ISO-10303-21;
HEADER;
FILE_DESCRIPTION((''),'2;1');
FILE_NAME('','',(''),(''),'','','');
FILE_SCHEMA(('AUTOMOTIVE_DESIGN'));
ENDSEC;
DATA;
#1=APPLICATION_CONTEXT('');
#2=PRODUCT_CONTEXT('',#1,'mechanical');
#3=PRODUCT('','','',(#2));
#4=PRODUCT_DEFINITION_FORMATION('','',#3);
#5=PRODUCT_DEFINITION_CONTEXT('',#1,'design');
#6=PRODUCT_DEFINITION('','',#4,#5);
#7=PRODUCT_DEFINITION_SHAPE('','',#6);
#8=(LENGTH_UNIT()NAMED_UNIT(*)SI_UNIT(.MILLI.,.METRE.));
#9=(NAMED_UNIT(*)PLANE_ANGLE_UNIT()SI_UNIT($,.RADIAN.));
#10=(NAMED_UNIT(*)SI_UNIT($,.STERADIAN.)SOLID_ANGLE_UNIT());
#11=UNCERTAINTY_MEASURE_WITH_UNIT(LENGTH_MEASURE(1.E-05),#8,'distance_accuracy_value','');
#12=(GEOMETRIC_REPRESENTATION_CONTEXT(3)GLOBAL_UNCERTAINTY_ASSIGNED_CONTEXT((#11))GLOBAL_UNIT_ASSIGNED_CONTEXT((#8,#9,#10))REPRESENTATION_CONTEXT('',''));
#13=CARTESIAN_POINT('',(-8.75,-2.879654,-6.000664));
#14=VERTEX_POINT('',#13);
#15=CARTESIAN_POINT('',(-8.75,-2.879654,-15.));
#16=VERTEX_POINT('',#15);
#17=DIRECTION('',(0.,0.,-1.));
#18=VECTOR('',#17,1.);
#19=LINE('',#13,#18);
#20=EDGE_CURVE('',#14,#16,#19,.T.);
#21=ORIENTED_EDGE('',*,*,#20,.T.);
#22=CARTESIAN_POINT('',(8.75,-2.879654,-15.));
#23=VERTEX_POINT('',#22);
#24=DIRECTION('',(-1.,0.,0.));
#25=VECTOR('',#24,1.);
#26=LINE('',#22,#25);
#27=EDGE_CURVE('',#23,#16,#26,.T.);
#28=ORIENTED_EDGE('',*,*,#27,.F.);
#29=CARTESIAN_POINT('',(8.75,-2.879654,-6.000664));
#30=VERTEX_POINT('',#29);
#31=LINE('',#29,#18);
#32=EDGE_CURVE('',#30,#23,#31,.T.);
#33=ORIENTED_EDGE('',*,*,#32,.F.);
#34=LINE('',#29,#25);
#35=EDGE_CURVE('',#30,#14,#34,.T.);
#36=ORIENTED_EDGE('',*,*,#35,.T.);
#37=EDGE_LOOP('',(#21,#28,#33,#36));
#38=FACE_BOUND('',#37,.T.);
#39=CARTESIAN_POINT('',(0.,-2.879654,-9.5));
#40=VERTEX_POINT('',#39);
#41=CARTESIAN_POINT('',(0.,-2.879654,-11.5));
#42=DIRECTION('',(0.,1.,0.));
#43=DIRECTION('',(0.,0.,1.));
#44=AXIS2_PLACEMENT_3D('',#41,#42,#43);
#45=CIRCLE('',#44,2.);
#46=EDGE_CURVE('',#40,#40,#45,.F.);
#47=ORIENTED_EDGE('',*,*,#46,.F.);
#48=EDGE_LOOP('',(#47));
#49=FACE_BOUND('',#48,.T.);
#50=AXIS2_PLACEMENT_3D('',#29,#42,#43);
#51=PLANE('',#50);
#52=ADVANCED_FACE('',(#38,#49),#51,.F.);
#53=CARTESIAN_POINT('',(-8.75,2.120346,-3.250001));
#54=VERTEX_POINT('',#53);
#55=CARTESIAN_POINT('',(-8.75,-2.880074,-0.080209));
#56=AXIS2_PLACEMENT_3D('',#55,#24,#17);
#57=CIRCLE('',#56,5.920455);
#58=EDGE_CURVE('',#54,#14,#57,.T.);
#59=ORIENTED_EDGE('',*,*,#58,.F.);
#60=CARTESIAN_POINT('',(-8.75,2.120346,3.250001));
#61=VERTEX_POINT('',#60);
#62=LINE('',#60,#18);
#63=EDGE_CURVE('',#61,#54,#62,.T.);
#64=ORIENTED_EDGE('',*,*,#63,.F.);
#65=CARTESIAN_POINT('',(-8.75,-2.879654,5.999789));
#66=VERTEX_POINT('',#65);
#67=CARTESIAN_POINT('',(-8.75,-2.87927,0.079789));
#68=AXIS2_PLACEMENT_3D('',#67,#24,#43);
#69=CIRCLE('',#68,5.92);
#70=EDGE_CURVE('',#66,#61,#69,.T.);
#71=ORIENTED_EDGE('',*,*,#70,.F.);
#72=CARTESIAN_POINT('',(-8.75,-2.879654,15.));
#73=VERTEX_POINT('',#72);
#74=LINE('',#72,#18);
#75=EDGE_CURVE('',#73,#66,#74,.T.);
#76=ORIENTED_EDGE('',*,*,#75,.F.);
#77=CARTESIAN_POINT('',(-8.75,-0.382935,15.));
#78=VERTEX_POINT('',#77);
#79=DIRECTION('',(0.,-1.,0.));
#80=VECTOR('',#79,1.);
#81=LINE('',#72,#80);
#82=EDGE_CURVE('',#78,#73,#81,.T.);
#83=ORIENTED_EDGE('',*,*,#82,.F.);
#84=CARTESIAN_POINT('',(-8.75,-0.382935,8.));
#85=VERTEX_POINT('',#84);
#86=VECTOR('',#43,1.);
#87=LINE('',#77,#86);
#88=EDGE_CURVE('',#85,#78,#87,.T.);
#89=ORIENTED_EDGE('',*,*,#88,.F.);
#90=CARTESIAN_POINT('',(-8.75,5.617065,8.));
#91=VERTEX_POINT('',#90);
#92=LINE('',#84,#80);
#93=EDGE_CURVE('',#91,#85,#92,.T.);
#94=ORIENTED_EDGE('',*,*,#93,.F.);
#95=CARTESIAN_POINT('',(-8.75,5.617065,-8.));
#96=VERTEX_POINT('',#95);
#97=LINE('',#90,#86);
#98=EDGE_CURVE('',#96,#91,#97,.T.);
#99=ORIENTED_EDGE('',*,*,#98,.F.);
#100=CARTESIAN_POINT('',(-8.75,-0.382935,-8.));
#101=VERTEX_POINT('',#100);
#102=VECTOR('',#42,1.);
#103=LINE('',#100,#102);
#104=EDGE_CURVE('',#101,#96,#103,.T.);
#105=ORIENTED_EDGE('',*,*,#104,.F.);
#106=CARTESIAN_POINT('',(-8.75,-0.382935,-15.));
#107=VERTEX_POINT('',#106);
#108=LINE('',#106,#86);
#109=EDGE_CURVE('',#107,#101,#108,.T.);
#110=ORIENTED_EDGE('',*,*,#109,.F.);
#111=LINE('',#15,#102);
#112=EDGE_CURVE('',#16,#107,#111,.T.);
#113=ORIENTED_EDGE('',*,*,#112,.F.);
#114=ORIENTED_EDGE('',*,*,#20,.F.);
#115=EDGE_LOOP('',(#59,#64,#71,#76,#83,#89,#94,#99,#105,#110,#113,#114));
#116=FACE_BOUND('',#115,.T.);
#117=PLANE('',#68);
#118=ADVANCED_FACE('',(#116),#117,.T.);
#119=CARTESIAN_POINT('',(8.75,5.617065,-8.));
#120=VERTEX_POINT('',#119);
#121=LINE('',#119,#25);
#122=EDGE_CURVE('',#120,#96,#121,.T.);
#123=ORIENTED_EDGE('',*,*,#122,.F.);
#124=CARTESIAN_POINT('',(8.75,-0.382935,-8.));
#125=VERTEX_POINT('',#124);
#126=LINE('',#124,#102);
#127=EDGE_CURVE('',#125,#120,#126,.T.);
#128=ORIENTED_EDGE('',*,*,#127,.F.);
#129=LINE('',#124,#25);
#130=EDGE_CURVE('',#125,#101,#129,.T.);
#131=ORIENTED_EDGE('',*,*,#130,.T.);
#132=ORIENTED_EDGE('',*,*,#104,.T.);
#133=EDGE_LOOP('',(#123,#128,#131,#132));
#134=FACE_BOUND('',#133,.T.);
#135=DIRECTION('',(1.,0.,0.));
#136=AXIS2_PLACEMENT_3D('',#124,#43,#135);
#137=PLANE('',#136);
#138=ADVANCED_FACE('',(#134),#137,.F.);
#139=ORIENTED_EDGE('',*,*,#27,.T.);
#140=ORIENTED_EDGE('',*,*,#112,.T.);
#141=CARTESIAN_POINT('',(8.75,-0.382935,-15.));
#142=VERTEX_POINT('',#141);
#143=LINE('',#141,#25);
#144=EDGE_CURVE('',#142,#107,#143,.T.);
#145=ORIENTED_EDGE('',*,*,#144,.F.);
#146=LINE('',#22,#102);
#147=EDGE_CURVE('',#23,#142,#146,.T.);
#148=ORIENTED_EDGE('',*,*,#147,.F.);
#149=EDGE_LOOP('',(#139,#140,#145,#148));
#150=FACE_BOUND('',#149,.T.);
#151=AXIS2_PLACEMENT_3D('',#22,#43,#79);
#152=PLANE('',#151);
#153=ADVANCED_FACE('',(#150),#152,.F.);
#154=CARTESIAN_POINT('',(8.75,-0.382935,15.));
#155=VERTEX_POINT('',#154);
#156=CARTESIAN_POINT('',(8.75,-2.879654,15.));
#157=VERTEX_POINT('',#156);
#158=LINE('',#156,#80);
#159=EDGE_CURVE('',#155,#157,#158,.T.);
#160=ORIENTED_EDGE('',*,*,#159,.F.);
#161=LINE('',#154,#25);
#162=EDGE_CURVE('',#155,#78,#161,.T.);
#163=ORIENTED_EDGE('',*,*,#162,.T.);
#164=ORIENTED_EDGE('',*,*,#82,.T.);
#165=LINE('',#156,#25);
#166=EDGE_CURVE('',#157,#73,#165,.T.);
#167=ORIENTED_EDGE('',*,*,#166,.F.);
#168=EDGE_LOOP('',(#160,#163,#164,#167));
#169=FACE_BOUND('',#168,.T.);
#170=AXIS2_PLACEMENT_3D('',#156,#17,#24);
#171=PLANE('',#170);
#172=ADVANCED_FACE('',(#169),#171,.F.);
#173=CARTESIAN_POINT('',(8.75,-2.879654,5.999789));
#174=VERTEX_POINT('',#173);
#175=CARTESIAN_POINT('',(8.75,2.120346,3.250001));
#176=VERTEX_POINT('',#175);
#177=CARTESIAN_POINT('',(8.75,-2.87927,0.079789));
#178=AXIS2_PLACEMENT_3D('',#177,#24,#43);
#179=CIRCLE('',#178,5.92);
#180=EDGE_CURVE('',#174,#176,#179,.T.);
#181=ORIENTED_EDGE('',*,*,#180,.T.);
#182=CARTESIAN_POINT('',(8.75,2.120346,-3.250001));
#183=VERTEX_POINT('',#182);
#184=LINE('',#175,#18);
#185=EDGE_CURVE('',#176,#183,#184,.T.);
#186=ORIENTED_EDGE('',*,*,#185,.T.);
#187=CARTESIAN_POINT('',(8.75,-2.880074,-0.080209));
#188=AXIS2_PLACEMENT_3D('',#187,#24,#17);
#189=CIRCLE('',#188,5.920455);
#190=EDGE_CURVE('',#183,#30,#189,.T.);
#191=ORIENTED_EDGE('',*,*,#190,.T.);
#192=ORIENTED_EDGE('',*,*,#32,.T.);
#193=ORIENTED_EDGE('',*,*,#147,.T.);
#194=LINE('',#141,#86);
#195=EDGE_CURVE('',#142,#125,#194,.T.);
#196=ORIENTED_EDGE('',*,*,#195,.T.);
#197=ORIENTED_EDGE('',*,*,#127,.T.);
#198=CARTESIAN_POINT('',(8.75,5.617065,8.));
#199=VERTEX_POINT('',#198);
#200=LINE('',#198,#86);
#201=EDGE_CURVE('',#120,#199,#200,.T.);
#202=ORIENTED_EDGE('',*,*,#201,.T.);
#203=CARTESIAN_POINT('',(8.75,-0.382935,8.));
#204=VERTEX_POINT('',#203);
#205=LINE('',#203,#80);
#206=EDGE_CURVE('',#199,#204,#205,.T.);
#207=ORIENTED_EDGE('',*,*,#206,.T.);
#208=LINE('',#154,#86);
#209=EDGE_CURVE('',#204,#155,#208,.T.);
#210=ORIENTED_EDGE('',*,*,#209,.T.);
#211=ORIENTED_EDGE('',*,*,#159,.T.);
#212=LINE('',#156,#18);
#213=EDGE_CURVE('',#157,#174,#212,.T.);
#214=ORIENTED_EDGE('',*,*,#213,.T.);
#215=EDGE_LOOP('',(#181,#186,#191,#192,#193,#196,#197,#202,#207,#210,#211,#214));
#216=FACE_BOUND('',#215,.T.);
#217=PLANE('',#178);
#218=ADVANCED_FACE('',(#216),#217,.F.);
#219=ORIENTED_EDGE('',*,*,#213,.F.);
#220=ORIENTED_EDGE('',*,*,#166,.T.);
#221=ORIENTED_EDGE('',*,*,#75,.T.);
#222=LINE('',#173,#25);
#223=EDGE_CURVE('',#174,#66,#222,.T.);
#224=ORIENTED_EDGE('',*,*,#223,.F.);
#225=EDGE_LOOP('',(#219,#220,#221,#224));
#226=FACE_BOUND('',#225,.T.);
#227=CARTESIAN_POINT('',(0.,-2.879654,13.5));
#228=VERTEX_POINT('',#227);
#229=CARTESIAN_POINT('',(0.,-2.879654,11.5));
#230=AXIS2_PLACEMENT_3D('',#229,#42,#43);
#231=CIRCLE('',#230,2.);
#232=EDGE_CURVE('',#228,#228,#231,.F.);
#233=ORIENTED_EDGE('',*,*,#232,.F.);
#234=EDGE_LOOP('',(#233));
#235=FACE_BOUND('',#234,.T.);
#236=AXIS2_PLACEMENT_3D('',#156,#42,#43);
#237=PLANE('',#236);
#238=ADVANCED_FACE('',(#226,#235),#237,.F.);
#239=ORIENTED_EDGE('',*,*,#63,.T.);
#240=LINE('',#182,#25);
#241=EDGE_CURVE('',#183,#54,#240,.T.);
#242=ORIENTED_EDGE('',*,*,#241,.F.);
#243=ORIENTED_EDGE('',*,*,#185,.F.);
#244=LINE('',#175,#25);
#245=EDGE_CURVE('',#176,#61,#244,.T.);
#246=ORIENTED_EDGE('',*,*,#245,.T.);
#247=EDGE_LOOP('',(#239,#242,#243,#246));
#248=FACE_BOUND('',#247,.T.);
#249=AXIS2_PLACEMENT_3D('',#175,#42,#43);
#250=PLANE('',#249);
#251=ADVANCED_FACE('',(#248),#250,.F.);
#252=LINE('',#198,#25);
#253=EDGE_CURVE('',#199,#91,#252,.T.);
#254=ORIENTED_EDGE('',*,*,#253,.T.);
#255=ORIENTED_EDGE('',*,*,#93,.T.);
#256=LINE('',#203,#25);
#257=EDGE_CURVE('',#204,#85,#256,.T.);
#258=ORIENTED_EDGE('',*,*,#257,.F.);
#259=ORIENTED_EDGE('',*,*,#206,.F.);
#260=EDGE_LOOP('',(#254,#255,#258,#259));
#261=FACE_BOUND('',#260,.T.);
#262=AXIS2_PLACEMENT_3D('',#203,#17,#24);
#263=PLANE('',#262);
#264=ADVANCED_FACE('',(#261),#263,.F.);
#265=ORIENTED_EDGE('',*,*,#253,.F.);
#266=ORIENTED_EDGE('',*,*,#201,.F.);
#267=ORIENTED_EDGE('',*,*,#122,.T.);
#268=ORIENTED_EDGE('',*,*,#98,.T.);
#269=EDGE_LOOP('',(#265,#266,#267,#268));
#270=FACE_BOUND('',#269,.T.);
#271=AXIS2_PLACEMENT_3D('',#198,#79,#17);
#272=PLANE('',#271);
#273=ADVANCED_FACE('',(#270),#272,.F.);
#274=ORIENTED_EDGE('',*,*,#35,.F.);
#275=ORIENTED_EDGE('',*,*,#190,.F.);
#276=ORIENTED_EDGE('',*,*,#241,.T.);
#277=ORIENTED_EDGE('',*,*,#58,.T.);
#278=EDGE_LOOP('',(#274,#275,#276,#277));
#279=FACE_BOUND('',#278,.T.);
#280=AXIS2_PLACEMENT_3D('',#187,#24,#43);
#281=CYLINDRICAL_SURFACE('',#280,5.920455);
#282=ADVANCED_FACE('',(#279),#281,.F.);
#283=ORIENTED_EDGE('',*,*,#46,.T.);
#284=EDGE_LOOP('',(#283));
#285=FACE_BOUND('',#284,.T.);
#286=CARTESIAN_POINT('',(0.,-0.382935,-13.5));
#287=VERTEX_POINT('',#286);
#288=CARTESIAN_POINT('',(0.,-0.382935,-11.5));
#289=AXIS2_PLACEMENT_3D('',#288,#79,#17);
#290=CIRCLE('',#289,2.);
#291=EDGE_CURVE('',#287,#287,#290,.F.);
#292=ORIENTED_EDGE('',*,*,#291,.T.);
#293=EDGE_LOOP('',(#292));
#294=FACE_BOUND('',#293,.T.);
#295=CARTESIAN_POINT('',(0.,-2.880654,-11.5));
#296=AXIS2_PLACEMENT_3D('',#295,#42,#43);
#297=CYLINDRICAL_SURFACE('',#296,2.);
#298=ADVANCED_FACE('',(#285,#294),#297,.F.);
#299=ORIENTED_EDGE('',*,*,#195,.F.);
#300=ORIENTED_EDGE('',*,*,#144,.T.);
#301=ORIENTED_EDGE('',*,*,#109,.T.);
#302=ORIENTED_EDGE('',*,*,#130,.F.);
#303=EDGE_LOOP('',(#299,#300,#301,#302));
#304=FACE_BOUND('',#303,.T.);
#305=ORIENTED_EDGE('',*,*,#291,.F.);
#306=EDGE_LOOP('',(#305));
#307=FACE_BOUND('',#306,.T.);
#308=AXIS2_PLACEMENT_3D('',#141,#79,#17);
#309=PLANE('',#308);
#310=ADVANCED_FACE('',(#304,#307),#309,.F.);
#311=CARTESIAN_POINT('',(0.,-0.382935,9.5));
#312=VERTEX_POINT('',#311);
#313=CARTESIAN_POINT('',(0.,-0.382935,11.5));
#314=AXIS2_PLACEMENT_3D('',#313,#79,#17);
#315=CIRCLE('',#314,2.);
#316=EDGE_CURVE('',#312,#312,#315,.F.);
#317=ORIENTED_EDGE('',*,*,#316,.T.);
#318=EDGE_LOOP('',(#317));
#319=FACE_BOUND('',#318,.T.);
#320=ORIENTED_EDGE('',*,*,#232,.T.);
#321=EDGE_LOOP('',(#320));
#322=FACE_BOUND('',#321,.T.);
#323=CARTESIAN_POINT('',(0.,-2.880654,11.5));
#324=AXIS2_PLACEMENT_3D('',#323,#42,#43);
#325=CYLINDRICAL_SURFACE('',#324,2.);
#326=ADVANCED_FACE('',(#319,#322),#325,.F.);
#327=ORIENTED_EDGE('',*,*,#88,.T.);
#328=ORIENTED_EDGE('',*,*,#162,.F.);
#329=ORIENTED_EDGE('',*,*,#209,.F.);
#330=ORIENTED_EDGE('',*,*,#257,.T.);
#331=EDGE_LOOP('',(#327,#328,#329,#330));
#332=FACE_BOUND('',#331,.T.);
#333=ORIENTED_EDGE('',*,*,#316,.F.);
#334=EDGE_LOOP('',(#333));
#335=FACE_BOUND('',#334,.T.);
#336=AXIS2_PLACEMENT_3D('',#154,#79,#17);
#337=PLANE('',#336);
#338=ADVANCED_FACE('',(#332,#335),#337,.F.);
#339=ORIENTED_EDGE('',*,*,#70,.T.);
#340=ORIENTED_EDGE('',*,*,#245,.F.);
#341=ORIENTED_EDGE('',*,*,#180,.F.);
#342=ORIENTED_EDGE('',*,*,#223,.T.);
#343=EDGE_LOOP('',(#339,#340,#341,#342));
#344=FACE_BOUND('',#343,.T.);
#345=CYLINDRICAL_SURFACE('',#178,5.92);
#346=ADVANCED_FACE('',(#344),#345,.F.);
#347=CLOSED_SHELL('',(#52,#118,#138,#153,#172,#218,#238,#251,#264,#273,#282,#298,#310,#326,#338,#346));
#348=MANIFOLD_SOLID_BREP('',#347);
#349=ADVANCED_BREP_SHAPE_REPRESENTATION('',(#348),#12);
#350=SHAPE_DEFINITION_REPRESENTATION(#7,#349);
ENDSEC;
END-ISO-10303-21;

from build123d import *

# Parameters (mm, degrees)
EXTRUDE_1_DEPTH     = 8.75
CUT_EXTRUDE_1_REACH = 20.251
SKETCH_3_R          = 2


with BuildPart() as part:
    # 草圖1 → 填料-伸長1 (new, symmetric)
    with BuildSketch(Plane(origin=(0, 0, 0), x_dir=(0, 0, -1), z_dir=(1, 0, 0))):
        with BuildLine():
            Line((-3.250001327, 2.120345625), (3.250001327, 2.120345625))
            ThreePointArc((3.250001327, 2.120345625), (5.267515394, -0.02636871), (6.00066364, -2.879654375))
            Line((6.00066364, -2.879654375), (15, -2.879654375))
            Line((15, -2.879654375), (15, -0.382935225))
            Line((15, -0.382935225), (8, -0.382935225))
            Line((8, -0.382935225), (8, 5.617064775))
            Line((8, 5.617064775), (-8, 5.617064775))
            Line((-8, 5.617064775), (-8, -0.382935225))
            Line((-8, -0.382935225), (-15, -0.382935225))
            Line((-15, -0.382935225), (-15, -2.879654375))
            Line((-15, -2.879654375), (-5.999788855, -2.879654375))
            ThreePointArc((-5.999788855, -2.879654375), (-5.267080125, -0.026479896), (-3.250001327, 2.120345625))
        make_face()
    extrude(amount=EXTRUDE_1_DEPTH, both=True)

    # 草圖3 → 除料-伸長1 (cut, up to next)
    with BuildSketch(Plane(origin=(0, 0, 0), x_dir=(1, 0, 0), z_dir=(0, 1, 0)), mode=Mode.PRIVATE) as cut_extrude_1_sk1:
        with Locations(Location((0, 11.5, 0), (0, 0, 270))):
            Circle(SKETCH_3_R)
    cut_extrude_1_tool1 = extrude(cut_extrude_1_sk1.sketch, amount=-CUT_EXTRUDE_1_REACH, mode=Mode.PRIVATE) & part.part
    # 草圖3 → 除料-伸長1 (cut, up to next)
    with BuildSketch(Plane(origin=(0, 0, 0), x_dir=(1, 0, 0), z_dir=(0, 1, 0)), mode=Mode.PRIVATE) as cut_extrude_1_sk2:
        with Locations(Location((0, -11.5, 0), (0, 0, 270))):
            Circle(SKETCH_3_R)
    cut_extrude_1_tool2 = extrude(cut_extrude_1_sk2.sketch, amount=-CUT_EXTRUDE_1_REACH, mode=Mode.PRIVATE) & part.part
    add(cut_extrude_1_tool1.solids().sort_by_distance((0, 0, -11.5))[0], mode=Mode.SUBTRACT)
    add(cut_extrude_1_tool2.solids().sort_by_distance((0, 0, 11.5))[0], mode=Mode.SUBTRACT)


solid = part.part
